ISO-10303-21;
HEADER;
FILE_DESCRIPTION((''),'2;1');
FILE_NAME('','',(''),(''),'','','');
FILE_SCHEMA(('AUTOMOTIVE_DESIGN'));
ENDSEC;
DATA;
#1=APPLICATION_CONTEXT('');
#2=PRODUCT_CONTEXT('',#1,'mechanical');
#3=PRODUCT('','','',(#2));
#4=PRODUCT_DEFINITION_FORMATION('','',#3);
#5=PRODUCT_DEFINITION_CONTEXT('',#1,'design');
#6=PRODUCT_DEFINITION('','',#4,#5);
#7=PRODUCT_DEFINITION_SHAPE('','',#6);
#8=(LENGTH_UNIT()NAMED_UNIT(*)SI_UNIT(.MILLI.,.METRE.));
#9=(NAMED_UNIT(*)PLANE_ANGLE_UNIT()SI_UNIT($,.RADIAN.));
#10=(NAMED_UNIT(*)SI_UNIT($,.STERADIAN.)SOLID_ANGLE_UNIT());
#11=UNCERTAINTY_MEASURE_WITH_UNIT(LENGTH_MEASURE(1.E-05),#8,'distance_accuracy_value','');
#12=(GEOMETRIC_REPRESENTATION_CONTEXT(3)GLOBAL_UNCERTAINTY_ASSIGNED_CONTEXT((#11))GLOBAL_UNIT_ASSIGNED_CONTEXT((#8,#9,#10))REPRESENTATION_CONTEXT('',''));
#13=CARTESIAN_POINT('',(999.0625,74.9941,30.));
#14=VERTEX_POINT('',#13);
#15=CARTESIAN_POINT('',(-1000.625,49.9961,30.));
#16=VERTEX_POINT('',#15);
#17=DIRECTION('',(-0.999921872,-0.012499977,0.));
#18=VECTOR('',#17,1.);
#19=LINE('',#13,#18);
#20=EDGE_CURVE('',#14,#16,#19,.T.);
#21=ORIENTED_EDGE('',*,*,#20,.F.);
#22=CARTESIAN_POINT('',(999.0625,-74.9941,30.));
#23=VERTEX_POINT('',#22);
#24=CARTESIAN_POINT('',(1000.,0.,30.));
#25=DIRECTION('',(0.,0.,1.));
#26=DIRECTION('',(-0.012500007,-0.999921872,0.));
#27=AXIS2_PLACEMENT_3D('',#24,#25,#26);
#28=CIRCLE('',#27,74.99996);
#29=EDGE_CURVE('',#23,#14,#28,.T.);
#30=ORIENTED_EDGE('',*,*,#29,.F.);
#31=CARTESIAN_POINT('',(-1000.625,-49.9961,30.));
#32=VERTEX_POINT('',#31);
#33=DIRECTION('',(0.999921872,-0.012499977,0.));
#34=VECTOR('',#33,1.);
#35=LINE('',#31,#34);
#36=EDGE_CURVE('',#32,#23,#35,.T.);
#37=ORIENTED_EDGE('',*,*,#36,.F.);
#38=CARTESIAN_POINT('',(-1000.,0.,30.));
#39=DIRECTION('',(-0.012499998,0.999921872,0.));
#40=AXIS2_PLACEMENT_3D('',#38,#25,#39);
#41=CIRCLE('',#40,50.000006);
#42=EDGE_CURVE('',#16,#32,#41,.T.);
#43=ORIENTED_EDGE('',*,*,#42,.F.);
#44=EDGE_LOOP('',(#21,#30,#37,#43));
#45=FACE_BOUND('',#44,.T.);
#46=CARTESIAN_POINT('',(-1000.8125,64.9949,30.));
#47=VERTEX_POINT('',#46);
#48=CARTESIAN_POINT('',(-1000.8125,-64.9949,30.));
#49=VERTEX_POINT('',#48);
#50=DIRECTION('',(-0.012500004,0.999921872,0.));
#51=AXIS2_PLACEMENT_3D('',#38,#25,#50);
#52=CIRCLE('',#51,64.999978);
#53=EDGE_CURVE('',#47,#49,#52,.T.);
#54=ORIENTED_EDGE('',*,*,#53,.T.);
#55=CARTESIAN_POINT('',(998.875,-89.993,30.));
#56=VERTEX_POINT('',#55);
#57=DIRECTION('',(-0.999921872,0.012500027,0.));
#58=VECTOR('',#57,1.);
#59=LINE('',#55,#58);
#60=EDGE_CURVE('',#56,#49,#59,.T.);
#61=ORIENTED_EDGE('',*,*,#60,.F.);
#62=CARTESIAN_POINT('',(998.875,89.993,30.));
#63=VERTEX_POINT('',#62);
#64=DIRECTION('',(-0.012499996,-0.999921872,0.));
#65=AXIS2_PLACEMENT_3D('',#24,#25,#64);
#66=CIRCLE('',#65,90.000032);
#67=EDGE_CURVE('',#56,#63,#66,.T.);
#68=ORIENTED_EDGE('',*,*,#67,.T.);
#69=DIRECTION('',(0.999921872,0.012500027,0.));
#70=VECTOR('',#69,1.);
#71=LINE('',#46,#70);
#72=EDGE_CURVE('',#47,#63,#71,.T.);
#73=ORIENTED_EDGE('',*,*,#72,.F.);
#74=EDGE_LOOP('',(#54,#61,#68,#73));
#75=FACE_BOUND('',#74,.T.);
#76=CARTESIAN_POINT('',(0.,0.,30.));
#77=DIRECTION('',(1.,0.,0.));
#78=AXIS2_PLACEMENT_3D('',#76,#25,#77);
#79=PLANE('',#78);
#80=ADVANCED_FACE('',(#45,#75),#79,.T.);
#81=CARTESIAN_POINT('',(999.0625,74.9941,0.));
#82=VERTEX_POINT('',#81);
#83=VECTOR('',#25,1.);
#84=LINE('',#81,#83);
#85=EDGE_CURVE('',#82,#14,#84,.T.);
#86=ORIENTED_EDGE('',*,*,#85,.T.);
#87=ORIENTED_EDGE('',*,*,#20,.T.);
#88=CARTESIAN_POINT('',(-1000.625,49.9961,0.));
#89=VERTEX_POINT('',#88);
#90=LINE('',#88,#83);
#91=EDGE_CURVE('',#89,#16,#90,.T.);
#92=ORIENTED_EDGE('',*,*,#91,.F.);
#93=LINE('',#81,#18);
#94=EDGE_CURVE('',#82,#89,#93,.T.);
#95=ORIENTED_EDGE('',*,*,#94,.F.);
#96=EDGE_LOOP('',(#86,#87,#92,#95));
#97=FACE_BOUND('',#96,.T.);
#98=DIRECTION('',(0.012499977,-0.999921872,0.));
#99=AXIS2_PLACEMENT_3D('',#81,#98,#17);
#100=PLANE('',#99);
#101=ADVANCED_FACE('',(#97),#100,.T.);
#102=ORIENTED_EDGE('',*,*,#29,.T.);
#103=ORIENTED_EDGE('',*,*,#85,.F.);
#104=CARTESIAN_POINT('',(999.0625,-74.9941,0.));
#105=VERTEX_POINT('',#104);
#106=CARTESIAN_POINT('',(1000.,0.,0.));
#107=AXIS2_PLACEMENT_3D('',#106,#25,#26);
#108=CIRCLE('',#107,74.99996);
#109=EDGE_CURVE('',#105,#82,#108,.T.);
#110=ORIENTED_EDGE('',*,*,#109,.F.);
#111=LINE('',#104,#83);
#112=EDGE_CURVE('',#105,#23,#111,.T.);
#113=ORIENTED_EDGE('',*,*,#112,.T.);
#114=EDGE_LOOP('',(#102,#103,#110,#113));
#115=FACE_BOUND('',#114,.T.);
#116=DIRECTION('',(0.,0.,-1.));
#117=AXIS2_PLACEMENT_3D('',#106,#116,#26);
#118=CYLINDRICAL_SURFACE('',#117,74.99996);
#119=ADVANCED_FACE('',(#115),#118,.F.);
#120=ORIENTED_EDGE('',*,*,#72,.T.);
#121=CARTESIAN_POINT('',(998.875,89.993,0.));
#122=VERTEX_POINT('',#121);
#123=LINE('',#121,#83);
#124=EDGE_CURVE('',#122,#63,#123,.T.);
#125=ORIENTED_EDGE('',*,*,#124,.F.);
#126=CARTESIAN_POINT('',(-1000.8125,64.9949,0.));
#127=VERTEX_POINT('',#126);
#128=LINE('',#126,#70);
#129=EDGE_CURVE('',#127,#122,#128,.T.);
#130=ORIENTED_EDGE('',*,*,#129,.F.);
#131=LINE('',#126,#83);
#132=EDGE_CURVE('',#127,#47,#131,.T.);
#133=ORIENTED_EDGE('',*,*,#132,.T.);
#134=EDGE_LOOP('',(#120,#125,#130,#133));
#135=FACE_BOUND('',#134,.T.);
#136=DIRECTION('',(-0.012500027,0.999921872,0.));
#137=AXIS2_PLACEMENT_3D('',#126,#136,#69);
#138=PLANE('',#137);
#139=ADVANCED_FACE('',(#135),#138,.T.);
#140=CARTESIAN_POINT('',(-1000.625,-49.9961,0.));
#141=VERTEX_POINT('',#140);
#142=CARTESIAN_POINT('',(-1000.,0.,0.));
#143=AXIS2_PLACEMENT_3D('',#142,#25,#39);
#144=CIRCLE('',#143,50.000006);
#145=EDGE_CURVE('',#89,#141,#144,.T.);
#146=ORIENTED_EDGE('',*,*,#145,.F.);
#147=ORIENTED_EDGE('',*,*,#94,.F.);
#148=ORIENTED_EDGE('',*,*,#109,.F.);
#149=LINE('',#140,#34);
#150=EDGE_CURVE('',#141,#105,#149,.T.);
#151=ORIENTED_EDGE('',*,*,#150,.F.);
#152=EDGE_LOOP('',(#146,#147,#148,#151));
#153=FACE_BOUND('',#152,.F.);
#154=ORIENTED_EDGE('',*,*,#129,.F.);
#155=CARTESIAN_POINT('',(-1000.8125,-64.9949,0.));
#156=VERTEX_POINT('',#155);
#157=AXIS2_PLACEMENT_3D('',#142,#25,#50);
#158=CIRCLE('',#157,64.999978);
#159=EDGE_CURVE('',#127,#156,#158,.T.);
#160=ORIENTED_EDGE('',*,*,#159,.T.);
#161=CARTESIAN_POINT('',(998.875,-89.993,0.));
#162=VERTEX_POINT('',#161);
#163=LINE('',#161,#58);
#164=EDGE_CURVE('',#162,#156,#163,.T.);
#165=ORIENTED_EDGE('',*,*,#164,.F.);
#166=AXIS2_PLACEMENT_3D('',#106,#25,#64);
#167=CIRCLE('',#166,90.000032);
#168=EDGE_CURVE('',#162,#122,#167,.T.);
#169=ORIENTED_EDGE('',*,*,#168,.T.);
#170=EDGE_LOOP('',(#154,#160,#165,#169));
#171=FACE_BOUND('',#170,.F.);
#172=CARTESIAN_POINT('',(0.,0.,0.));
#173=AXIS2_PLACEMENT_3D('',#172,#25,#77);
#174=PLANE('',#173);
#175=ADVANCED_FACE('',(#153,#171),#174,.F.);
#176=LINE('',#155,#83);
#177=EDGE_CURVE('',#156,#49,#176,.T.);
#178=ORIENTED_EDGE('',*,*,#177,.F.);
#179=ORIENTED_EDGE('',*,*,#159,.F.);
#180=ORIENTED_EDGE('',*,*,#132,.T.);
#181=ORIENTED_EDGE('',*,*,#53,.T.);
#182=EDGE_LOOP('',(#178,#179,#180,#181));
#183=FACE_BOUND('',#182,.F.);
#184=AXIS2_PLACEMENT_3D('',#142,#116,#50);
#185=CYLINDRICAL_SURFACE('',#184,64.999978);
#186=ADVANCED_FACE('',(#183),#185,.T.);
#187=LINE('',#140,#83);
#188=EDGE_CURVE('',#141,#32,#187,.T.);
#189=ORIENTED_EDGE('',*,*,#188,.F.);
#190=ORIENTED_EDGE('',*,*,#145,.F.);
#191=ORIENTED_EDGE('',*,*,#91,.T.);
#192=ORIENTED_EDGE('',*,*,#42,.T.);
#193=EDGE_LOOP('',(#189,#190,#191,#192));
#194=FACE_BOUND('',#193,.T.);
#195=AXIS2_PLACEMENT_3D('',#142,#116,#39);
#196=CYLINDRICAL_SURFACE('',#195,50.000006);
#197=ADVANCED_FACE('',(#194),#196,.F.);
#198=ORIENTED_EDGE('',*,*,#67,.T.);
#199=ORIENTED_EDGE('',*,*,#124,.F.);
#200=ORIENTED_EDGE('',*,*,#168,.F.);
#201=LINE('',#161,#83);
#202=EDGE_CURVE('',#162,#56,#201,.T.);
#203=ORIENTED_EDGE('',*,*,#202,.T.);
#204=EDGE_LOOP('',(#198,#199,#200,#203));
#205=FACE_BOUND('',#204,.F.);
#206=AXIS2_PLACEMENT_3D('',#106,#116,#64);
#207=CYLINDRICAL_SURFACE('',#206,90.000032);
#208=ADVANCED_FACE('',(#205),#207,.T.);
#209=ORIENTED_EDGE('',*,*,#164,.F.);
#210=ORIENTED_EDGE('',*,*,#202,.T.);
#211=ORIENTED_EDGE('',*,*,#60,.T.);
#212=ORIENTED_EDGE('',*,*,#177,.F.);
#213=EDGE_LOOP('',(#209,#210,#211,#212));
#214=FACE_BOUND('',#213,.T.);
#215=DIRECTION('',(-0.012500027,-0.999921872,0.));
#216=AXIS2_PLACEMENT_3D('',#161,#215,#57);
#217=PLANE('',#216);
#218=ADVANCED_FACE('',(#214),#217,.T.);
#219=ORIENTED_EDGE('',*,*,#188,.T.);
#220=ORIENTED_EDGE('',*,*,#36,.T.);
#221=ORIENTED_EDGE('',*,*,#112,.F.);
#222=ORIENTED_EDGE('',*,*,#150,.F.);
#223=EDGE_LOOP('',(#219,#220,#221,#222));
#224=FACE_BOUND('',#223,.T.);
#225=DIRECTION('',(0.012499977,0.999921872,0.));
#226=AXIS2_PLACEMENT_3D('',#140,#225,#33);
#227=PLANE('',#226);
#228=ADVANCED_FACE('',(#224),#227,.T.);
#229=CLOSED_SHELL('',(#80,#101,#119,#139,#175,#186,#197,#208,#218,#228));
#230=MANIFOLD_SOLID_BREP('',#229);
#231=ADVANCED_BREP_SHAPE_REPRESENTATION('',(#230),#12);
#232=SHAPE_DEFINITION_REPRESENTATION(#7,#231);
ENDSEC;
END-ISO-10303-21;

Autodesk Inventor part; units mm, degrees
ref_plane "YZ Plane" through (0, 0, 0) normal (1, 0, 0) x (0, 1, 0)
ref_plane "XZ Plane" through (0, 0, 0) normal (0, 1, 0) x (-1, 0, 0)
ref_plane "XY Plane" through (0, 0, 0) normal (0, 0, 1) x (1, 0, 0)
sketch "Boceto1" plane through (0, 0, 0) normal (0, 0, 1) x (1, 0, 0)
  arc A0 (-1000.625, 49.9961) -> (-1000.625, -49.9961) centre (-1000, 0) ccw
  arc A1 (999.0625, -74.9941) -> (999.0625, 74.9941) centre (1000, 0) ccw
  line L0 (999.0625, 74.9941) -> (-1000.625, 49.9961)
  line L1 (-1000.625, -49.9961) -> (999.0625, -74.9941)
  line L2 (-1000.8125, 64.9949) -> (998.875, 89.993)
  arc A2 (998.875, -89.993) -> (998.875, 89.993) centre (1000, 0) ccw
  line L3 (998.875, -89.993) -> (-1000.8125, -64.9949)
  arc A3 (-1000.8125, 64.9949) -> (-1000.8125, -64.9949) centre (-1000, 0) ccw
  point P0 (0, 0)
  dimension "d0" = 2000
  dimension "d1" = 1000
  dimension "d2" = 100
  dimension "d3" = 150
  dimension "d4" = 15
extrude "Extrusión1" add sketch "Boceto1" along normal blind 30
equation "\"d1\" = 0.5 * d0"
properties part number "cadena"
